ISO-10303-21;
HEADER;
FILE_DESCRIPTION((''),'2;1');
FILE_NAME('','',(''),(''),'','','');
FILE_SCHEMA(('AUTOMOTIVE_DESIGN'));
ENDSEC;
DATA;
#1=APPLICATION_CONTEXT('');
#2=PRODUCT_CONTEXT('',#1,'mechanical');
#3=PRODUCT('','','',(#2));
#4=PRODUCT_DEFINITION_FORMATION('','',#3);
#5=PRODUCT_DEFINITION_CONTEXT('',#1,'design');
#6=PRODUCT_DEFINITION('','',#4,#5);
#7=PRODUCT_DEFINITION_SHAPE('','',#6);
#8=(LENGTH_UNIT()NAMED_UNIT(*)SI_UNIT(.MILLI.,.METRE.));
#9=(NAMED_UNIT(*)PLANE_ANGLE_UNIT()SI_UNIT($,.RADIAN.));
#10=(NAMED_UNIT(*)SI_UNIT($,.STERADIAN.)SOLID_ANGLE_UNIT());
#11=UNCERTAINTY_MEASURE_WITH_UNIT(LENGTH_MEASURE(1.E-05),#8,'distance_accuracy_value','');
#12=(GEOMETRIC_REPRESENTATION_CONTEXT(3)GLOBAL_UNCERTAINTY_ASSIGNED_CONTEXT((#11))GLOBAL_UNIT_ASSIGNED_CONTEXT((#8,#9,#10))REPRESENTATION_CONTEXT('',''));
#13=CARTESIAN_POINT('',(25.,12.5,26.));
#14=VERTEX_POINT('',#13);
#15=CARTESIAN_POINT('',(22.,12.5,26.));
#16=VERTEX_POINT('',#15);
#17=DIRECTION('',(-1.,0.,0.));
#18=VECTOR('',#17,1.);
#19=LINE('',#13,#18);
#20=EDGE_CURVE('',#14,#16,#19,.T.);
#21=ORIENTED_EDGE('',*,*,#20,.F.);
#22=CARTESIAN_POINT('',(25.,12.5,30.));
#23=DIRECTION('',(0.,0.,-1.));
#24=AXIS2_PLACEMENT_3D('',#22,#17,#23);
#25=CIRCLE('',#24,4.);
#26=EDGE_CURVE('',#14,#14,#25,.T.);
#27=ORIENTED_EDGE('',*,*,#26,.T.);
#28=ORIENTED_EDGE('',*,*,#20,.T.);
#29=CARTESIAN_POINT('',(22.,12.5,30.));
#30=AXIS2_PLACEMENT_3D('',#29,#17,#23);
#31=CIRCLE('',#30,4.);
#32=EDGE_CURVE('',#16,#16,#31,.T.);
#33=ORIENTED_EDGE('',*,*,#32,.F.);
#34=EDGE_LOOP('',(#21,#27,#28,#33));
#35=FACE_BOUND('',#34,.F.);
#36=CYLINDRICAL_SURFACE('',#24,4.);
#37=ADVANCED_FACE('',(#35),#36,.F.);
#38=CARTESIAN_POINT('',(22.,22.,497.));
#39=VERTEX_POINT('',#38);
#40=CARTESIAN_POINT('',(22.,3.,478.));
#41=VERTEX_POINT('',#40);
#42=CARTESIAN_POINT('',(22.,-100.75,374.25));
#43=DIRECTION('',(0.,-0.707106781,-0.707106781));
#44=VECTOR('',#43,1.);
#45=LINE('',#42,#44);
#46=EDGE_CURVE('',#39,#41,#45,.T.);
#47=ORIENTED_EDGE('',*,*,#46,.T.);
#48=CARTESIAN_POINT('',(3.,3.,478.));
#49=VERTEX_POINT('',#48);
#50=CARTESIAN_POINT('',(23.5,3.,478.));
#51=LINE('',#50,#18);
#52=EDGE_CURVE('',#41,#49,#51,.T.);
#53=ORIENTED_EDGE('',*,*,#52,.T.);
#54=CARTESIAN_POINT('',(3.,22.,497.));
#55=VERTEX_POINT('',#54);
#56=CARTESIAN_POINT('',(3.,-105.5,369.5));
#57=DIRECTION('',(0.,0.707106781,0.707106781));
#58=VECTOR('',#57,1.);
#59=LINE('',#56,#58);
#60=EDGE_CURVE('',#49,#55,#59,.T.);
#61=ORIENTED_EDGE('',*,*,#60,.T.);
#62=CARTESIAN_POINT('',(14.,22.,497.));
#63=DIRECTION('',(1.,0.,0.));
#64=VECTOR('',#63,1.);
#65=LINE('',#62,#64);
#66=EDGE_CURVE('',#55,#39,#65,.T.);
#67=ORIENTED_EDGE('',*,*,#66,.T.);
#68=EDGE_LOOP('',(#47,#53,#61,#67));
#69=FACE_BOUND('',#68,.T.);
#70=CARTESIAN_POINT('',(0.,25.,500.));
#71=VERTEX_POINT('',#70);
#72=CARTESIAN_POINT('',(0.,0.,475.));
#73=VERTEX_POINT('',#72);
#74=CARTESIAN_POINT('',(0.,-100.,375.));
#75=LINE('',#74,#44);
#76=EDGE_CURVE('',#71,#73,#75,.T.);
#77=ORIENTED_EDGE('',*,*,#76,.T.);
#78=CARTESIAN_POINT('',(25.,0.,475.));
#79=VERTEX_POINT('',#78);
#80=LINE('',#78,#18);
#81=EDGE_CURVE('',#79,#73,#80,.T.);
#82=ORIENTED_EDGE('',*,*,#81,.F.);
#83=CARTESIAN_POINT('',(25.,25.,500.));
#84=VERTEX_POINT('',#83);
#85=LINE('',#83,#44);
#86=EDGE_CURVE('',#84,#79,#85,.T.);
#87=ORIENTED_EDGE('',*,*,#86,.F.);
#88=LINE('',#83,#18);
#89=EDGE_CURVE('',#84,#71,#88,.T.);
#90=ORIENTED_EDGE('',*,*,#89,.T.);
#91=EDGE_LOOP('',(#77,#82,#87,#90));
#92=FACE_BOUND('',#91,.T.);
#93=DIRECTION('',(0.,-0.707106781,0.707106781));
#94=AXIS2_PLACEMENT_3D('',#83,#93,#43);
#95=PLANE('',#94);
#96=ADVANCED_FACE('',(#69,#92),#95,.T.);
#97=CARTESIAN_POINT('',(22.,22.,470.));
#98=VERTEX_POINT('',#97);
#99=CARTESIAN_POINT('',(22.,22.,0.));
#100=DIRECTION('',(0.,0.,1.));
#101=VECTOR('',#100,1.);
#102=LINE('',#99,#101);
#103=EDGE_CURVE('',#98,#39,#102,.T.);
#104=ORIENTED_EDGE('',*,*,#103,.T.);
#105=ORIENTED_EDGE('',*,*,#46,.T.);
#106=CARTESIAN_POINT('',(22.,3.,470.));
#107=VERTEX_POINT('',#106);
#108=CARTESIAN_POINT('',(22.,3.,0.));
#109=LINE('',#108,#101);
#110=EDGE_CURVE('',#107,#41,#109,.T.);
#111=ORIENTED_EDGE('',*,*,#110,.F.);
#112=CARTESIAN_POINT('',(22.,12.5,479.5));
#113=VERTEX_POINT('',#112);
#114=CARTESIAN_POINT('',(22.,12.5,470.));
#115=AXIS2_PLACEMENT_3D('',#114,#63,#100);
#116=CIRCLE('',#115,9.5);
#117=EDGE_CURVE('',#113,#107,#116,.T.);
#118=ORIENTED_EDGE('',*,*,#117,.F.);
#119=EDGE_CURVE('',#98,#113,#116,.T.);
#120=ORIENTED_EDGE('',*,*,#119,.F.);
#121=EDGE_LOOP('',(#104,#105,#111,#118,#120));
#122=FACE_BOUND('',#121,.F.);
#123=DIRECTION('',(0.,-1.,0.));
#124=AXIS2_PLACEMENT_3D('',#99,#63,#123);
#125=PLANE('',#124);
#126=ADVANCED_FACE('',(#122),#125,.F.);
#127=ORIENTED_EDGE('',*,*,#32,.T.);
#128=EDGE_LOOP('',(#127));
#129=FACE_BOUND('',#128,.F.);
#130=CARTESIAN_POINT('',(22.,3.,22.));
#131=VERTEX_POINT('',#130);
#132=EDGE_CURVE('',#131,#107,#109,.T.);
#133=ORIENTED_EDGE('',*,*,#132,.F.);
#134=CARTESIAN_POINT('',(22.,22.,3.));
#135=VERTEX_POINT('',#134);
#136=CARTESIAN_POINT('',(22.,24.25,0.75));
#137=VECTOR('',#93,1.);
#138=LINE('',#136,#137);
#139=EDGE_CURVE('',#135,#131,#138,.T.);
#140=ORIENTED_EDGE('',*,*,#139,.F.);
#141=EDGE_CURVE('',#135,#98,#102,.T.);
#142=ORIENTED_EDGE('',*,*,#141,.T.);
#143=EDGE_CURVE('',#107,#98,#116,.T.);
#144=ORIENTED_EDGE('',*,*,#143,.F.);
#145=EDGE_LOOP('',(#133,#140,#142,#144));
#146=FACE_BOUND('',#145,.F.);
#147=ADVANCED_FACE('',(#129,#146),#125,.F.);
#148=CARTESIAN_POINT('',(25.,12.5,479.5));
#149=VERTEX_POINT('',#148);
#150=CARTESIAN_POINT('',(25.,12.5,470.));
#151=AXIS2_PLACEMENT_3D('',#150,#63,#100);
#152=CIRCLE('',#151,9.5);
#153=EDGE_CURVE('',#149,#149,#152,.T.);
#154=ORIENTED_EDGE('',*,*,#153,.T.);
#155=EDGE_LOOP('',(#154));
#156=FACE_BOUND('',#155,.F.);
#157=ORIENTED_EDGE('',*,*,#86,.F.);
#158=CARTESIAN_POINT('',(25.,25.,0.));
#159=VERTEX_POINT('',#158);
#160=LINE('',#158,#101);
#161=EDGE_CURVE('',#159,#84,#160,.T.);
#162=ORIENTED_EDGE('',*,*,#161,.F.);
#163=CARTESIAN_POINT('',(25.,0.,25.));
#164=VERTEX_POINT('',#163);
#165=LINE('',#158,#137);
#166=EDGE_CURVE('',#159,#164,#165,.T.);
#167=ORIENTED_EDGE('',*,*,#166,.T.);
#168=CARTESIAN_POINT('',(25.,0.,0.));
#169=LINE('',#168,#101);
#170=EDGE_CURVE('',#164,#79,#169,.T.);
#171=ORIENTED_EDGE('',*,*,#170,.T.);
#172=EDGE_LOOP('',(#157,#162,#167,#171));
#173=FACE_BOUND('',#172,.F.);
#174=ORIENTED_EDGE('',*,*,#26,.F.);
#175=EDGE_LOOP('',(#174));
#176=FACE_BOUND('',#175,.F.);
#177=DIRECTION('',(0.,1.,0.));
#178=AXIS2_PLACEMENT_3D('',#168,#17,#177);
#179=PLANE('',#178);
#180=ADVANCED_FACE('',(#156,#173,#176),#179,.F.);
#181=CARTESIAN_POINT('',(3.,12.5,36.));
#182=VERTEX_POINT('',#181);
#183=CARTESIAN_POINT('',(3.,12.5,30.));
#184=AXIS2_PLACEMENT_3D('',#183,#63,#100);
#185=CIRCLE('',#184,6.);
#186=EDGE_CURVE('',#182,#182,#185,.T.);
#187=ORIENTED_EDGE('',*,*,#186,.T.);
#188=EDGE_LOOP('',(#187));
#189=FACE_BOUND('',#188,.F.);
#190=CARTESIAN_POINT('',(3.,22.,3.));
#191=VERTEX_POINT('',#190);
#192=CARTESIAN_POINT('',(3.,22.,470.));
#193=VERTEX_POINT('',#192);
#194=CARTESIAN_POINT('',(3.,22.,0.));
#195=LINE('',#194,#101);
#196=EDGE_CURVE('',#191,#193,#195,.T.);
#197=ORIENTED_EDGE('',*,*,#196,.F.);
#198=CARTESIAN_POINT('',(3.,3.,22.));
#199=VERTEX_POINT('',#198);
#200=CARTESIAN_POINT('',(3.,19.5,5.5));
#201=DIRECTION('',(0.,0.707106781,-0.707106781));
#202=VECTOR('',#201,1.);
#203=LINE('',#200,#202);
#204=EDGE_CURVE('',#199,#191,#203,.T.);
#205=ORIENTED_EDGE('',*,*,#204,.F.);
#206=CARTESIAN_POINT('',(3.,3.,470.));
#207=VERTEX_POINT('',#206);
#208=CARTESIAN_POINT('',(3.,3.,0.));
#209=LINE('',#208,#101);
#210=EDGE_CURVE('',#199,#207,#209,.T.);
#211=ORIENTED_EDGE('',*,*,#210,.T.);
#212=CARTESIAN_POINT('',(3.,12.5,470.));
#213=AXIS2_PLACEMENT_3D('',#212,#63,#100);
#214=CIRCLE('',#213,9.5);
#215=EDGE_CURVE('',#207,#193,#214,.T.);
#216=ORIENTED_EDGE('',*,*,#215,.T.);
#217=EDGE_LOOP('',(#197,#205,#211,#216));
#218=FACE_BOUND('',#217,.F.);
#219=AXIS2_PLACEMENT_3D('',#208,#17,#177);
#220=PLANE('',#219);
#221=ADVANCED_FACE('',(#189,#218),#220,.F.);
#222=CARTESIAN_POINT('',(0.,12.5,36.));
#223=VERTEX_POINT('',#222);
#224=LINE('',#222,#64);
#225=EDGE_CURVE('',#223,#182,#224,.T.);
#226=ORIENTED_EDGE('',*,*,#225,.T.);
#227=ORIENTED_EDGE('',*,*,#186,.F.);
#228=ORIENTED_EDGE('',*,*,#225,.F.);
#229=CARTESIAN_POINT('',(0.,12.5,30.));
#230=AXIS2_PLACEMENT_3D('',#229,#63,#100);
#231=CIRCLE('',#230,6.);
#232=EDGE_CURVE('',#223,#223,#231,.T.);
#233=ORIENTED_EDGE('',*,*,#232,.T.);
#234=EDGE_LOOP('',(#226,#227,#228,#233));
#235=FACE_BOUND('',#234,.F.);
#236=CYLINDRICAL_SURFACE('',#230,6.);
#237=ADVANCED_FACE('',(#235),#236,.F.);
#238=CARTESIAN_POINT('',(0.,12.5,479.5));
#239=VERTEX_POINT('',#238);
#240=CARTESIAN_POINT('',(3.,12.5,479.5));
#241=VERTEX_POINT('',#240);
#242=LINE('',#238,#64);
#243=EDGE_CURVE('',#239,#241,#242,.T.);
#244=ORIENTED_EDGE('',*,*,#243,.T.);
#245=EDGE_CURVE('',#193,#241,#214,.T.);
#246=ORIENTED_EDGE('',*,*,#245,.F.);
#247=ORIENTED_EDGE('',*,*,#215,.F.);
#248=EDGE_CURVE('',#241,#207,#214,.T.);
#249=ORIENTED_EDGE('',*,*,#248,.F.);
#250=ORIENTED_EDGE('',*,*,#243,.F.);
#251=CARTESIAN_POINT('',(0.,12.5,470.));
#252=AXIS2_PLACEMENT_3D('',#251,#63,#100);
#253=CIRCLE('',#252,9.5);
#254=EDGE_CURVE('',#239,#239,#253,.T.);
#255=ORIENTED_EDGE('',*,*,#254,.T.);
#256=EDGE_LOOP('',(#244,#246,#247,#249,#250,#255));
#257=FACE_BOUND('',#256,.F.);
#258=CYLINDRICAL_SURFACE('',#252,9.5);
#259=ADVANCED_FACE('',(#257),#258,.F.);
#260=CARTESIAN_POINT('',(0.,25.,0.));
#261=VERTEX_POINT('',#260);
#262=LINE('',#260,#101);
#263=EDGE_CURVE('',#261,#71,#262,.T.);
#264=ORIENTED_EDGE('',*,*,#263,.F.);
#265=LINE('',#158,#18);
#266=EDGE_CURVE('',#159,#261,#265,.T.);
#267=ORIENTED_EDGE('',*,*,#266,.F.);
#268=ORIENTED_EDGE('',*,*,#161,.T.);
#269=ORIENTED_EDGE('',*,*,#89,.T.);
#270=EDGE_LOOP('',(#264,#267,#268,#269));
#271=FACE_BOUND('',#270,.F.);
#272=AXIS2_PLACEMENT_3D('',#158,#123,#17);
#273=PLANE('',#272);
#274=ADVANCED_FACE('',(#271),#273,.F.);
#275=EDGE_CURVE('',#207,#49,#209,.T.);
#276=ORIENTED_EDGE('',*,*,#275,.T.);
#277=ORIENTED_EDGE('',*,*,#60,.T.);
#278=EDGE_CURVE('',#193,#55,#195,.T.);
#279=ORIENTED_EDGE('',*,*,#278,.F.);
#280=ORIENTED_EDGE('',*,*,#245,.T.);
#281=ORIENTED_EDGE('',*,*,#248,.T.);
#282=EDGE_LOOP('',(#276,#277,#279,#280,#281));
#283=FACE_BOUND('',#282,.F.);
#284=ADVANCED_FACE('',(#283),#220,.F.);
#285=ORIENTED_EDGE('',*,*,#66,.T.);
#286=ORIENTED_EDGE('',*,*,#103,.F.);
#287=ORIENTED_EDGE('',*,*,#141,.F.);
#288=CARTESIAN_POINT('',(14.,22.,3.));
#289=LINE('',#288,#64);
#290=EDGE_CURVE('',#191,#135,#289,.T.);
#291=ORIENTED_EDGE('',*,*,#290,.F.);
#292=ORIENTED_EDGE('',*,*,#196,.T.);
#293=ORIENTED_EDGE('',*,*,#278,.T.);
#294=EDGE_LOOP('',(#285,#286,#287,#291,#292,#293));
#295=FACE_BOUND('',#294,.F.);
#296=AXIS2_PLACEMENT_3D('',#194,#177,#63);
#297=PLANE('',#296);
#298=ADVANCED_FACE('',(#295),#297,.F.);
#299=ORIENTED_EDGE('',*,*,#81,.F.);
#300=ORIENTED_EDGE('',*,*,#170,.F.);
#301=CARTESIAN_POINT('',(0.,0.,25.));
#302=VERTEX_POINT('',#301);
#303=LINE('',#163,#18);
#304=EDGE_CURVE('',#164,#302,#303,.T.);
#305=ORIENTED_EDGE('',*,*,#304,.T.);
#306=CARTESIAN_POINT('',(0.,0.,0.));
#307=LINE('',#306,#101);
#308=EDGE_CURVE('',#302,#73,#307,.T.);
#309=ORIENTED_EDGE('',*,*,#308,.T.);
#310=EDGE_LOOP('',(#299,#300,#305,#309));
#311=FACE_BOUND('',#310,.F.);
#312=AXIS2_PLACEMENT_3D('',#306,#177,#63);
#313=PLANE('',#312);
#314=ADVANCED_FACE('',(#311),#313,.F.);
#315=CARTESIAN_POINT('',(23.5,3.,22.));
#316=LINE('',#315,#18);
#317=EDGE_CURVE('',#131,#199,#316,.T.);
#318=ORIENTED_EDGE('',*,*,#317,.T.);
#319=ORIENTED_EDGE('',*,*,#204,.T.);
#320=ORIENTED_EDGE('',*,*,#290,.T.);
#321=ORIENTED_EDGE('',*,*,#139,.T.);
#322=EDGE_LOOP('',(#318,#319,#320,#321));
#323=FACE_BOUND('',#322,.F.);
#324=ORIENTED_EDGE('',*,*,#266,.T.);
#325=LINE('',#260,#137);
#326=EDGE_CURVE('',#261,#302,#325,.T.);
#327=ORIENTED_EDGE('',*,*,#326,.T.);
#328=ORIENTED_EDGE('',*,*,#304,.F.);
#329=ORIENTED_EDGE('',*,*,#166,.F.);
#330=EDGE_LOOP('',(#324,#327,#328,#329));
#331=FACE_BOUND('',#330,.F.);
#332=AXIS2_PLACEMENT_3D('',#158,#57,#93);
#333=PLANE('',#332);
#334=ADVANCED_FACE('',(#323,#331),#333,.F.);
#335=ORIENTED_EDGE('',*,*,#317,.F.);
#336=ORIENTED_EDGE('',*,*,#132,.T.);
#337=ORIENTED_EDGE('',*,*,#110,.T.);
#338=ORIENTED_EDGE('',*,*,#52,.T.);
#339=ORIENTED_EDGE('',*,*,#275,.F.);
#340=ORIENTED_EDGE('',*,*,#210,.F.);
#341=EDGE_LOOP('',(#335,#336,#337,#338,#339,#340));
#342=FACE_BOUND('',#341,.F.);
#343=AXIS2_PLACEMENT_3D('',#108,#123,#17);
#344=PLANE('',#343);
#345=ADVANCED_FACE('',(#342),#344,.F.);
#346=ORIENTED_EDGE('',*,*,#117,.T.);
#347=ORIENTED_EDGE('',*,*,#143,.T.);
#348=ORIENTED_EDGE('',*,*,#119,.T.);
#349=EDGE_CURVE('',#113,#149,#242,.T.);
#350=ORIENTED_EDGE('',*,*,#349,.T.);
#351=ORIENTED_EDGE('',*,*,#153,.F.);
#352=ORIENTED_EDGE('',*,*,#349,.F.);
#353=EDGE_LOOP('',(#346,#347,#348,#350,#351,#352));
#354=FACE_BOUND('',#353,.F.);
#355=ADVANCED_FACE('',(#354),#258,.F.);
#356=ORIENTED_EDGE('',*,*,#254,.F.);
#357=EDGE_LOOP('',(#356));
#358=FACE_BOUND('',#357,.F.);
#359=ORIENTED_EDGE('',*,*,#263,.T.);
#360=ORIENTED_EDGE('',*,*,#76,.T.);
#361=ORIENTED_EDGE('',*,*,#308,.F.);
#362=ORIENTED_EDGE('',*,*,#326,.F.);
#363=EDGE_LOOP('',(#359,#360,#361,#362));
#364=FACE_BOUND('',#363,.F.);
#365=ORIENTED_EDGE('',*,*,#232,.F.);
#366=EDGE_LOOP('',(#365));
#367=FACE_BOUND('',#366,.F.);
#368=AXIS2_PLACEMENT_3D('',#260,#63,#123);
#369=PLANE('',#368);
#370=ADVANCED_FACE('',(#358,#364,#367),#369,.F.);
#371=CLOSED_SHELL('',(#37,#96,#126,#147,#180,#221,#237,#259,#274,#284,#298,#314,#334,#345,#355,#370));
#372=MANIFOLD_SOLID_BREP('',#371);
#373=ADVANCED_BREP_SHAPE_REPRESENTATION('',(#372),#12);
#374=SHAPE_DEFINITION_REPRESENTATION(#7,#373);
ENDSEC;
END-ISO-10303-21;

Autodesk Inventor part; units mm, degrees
ref_plane "YZ Plane" through (0, 0, 0) normal (1, 0, 0) x (0, 1, 0)
ref_plane "XZ Plane" through (0, 0, 0) normal (0, 1, 0) x (-1, 0, 0)
ref_plane "XY Plane" through (0, 0, 0) normal (0, 0, 1) x (1, 0, 0)
sketch "Sketch1" plane through (0, 0, 0) normal (0, 0, 1) x (1, 0, 0)
  line L0 (0, 0) -> (25, 0)
  line L1 (25, 0) -> (25, 25)
  line L2 (25, 25) -> (0, 25)
  line L3 (0, 25) -> (0, 0)
  line L4 (3, 22) -> (22, 22)
  line L5 (22, 22) -> (22, 3)
  line L6 (22, 3) -> (3, 3)
  line L7 (3, 3) -> (3, 22)
  dimension "d0" = 25
  dimension "d1" = 25
  dimension "d2" = 3
extrude "Extrusion1" add sketch "Sketch1" along normal blind 500
sketch "Sketch2" plane through (25, 0, 0) normal (1, 0, 0) x (0, 0, -1)
  line L0 (0, 0) -> (0, 25) projected
  line L1 (0, 25) -> (-500, 25) projected
  line L2 (-500, 0) -> (-500, 25) projected
  line L3 (0, 0) -> (-500, 0) projected
  line L4 (-500, 25) -> (-475, 0)
  line L5 (-500, 25) -> (-464.6447, 25) construction
  line L6 (0, 25) -> (-25, 0)
  line L7 (0, 25) -> (35.3553, 25) construction
  dimension "d5" = 45
  dimension "d6" = 135
extrude "Extrusion2" cut sketch "Sketch2" against normal blind 500 contours L3 L6 L0 | L4 L3 L2
sketch "Sketch3" plane through (25, 25, 500) normal (1, 0, 0) x (0, 0, -1)
  line L0 (475, -25) -> (25, -25) projected
  line L1 (500, 0) -> (0, 0) projected
  point P0 (500, -25)
  point P1 (30, -12.5)
  point P2 (470, -12.5)
  point P3 (250, 0)
  dimension "d9" = 440
  dimension "d10" = 12.5
  dimension "d11" = 220
hole "Hole1" at (25, 12.5, 30) direction (-1, 0, 0) diameter 8 depth 8 tip angle 118
sketch "Sketch5" plane through (0, 25, 0) normal (-1, 0, 0) x (0, 0, 1)
  circle A0 centre (30, -12.5) radius 4 projected
  point P0 (0, -25)
  point P1 (470, -12.5)
  dimension "d33" = 440
hole "Hole3" at (0, 12.5, 30) at (0, 12.5, 470) direction (1, 0, 0) diameter 12 depth 8 tip angle 118
sketch "Sketch6" plane through (0, 25, 0) normal (-1, 0, 0) x (0, 0, 1)
  circle A0 centre (470, -12.5) radius 6 projected
  point P0 (0, -25)
hole "Hole4" at (0, 12.5, 470) direction (1, 0, 0) diameter 19 end through all
equation "\"d11\" = 0.5 * d9"
properties part number "P501" material "Aluminum 6061"
